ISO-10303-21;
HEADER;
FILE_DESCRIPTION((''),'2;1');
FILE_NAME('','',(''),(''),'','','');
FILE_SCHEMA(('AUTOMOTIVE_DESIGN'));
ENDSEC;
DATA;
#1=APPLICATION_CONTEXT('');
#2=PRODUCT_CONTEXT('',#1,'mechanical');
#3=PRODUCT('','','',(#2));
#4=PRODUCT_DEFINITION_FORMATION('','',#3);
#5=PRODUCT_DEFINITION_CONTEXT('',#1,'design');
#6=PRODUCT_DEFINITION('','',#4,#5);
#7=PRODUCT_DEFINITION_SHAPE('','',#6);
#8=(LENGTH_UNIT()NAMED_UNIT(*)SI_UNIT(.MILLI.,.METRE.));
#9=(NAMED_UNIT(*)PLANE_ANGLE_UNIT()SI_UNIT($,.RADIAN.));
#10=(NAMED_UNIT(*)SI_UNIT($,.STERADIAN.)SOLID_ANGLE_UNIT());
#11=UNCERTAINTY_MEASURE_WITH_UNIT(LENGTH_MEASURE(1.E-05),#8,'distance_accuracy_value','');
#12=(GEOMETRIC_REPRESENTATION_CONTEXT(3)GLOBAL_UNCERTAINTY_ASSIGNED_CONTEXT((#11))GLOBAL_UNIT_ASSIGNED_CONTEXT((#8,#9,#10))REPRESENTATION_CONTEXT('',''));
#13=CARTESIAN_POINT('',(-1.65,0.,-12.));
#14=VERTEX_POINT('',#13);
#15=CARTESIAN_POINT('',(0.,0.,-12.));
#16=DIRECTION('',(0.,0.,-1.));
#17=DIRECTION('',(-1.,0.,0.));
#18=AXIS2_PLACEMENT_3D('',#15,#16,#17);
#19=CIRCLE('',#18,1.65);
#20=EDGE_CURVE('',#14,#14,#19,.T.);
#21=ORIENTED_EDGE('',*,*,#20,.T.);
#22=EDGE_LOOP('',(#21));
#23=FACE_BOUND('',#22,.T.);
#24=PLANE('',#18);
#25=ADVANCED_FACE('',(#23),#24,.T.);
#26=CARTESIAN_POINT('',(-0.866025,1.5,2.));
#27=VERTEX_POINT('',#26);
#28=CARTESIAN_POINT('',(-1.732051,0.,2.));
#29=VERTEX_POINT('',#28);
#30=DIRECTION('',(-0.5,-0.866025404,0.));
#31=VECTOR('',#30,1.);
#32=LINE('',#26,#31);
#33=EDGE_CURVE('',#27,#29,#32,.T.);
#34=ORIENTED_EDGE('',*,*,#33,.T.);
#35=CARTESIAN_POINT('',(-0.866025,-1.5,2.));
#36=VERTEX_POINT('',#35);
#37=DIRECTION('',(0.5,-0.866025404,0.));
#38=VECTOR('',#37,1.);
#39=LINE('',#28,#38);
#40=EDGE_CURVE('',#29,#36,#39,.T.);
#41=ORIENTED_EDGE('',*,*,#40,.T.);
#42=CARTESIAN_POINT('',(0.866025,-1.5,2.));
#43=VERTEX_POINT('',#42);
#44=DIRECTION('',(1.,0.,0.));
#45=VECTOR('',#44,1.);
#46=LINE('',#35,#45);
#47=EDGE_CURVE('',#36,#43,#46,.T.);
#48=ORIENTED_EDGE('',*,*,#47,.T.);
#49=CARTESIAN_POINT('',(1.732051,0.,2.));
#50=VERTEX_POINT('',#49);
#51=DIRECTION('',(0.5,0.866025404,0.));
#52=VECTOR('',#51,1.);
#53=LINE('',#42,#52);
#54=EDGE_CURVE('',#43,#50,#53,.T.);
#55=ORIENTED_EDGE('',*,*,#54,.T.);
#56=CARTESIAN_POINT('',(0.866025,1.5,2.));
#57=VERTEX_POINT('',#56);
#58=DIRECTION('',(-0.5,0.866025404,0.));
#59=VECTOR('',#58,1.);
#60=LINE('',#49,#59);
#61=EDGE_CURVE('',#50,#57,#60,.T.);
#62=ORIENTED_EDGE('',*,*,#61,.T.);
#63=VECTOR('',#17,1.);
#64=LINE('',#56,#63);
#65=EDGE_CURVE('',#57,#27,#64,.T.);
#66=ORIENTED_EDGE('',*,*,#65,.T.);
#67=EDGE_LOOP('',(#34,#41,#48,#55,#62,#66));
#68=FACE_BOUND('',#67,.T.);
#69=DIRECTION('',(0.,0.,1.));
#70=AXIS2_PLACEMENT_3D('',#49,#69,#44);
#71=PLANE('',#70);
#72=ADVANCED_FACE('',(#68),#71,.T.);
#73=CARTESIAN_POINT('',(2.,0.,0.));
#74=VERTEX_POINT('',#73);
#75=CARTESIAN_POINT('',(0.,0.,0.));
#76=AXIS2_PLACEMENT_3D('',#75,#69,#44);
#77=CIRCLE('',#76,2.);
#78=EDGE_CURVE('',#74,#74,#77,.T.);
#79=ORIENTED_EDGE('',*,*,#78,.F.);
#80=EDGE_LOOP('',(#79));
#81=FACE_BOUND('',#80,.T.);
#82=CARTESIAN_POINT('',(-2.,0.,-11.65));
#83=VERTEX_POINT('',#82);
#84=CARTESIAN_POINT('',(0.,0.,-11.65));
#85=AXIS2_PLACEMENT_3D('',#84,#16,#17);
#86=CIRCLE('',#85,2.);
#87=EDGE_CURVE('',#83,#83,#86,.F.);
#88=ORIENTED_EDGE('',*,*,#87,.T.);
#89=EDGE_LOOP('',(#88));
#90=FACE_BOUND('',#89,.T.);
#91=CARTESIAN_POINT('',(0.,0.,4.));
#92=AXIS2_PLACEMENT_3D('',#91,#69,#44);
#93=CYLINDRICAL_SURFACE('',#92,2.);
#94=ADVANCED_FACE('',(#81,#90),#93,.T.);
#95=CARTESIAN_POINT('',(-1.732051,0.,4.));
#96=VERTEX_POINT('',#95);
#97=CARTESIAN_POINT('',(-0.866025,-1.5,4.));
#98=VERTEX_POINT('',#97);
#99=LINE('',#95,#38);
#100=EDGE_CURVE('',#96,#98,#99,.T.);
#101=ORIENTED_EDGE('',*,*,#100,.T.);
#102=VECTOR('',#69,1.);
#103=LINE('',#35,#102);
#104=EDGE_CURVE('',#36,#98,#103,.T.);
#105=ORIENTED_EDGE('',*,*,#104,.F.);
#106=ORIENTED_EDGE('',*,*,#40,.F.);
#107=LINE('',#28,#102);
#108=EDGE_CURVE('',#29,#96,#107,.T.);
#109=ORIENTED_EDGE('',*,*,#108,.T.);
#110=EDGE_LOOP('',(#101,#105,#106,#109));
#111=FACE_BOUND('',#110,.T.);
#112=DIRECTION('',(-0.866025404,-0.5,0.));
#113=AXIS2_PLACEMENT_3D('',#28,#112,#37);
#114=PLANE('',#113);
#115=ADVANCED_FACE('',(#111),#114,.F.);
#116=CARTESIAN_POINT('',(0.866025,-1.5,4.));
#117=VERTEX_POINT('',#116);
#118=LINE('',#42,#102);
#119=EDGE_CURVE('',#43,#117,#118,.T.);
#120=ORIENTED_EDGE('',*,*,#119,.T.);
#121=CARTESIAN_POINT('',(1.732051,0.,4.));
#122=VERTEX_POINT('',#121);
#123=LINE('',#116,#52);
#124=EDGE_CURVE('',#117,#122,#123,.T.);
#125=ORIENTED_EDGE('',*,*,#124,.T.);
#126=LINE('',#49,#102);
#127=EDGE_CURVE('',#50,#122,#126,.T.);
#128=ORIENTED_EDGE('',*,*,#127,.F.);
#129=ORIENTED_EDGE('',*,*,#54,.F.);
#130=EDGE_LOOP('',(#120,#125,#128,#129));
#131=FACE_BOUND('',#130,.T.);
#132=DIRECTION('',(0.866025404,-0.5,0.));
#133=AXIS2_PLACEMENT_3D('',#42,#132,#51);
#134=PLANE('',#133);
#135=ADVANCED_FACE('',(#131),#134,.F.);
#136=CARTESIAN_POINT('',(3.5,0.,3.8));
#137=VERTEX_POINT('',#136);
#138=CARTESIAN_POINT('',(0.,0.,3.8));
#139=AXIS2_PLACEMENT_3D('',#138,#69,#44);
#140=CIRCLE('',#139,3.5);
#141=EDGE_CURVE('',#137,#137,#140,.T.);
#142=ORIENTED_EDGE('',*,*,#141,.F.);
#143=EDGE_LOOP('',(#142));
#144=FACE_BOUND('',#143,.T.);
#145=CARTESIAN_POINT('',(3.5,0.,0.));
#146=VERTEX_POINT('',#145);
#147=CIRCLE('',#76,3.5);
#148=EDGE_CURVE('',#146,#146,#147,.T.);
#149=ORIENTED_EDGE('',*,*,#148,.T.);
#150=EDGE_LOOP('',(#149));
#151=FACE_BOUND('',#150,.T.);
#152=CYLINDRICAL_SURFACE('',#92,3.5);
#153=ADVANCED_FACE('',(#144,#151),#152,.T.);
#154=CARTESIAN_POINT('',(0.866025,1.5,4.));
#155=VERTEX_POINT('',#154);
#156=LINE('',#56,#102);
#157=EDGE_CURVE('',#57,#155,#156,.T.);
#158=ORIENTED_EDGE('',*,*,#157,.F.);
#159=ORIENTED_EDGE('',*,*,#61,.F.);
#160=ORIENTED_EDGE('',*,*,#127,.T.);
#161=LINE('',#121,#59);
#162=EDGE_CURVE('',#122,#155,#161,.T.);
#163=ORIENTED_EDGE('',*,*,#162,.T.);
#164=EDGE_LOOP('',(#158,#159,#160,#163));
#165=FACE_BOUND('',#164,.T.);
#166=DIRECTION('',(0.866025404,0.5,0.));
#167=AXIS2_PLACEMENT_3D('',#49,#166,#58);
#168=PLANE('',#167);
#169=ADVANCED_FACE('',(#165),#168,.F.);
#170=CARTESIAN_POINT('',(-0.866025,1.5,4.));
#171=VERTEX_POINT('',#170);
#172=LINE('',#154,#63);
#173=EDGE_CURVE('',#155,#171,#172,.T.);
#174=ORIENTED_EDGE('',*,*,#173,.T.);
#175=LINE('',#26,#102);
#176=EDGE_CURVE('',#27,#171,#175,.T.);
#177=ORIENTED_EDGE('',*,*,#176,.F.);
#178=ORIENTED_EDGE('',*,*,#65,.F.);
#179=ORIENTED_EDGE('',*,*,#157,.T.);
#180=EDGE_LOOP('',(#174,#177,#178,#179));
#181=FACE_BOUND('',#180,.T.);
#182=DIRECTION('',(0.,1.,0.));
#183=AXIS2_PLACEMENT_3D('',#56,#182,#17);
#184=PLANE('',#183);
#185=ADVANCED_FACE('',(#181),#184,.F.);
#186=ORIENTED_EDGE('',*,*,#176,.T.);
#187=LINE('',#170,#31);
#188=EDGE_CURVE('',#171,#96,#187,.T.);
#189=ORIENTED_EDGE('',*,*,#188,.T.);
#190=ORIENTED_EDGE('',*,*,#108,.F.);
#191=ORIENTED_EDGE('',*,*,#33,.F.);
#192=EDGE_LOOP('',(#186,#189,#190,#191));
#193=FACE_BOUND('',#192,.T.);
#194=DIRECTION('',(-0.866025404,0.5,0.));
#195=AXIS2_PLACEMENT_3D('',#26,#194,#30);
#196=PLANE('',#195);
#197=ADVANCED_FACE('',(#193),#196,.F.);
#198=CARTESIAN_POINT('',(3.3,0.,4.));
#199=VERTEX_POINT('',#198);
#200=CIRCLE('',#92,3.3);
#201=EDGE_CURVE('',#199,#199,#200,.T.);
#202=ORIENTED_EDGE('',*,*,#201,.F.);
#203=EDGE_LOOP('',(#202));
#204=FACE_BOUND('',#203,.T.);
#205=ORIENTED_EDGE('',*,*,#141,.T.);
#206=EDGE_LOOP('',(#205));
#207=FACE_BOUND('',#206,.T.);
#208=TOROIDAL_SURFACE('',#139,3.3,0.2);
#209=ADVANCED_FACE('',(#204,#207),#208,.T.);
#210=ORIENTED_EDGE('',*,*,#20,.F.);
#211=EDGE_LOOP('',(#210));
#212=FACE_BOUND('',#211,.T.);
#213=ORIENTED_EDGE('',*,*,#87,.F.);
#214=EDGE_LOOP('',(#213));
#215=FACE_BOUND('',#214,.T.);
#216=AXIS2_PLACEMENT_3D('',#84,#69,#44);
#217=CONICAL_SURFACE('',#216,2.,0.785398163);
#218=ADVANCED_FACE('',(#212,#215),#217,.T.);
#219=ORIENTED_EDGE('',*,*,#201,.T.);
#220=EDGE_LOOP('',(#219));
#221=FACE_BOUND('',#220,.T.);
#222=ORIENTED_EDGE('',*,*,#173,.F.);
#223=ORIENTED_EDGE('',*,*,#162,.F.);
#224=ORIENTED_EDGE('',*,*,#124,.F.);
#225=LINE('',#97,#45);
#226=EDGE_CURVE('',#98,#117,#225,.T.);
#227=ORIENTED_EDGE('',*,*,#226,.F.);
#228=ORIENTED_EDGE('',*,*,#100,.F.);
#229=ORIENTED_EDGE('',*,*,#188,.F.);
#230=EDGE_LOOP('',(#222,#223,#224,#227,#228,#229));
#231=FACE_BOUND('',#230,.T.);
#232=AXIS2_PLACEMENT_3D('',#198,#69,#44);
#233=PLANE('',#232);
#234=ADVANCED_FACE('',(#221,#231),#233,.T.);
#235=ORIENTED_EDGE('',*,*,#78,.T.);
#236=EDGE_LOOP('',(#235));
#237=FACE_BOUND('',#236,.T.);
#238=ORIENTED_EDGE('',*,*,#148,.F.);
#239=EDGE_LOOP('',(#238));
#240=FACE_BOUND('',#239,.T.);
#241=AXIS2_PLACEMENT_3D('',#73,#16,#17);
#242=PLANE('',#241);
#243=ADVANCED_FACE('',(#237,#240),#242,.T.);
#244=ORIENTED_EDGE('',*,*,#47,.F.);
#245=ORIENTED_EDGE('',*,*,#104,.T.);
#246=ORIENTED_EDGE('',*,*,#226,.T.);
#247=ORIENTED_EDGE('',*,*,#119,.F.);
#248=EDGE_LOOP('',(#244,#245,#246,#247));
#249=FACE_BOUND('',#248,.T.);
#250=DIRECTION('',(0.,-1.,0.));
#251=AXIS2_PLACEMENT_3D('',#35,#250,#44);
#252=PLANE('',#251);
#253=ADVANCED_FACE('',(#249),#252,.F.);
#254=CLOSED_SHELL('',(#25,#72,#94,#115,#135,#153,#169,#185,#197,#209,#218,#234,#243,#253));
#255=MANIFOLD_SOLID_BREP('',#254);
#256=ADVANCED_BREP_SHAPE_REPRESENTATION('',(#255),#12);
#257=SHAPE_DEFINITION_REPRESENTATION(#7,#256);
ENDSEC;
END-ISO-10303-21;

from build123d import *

# Parameters (mm, degrees)
CUT_EXTRUDE1_DEPTH = 2
CHAMFER1_SIZE      = 0.35


with BuildPart() as part:
    # Sketch1 → Revolve1 (revolve)
    with BuildSketch(Plane.XZ, mode=Mode.PRIVATE) as revolve1_sk:
        with BuildLine():
            Line((0, -12), (-2, -12))
            Line((-2, -12), (-2, 0))
            Line((-2, 0), (-3.5, 0))
            Line((-3.5, 0), (-3.5, 3.8))
            ThreePointArc((-3.5, 3.8), (-3.441421356, 3.941421356), (-3.3, 4))
            Line((-3.3, 4), (0, 4))
            Line((0, 4), (0, -12))
        make_face()
    revolve(revolve1_sk.sketch.rotate(Axis((0, 0, 4), (0, 0, -1)), 180), axis=Axis((0, 0, 4), (0, 0, -1)))

    # Sketch2 → Cut-Extrude1 (cut)
    with BuildSketch(Plane.XY.offset(4)):
        Polygon((1.732050808, 0), (0.866025404, 1.5), (-0.866025404, 1.5), (-1.732050808, 0), (-0.866025404, -1.5), (0.866025404, -1.5), align=None)
    extrude(amount=-CUT_EXTRUDE1_DEPTH, mode=Mode.SUBTRACT)

    # Chamfer1
    chamfer1_edges = [part.edges().sort_by_distance(p)[0] for p in [
        (-2, 0, -12),
    ]]
    chamfer(chamfer1_edges, length=CHAMFER1_SIZE)


solid = part.part
